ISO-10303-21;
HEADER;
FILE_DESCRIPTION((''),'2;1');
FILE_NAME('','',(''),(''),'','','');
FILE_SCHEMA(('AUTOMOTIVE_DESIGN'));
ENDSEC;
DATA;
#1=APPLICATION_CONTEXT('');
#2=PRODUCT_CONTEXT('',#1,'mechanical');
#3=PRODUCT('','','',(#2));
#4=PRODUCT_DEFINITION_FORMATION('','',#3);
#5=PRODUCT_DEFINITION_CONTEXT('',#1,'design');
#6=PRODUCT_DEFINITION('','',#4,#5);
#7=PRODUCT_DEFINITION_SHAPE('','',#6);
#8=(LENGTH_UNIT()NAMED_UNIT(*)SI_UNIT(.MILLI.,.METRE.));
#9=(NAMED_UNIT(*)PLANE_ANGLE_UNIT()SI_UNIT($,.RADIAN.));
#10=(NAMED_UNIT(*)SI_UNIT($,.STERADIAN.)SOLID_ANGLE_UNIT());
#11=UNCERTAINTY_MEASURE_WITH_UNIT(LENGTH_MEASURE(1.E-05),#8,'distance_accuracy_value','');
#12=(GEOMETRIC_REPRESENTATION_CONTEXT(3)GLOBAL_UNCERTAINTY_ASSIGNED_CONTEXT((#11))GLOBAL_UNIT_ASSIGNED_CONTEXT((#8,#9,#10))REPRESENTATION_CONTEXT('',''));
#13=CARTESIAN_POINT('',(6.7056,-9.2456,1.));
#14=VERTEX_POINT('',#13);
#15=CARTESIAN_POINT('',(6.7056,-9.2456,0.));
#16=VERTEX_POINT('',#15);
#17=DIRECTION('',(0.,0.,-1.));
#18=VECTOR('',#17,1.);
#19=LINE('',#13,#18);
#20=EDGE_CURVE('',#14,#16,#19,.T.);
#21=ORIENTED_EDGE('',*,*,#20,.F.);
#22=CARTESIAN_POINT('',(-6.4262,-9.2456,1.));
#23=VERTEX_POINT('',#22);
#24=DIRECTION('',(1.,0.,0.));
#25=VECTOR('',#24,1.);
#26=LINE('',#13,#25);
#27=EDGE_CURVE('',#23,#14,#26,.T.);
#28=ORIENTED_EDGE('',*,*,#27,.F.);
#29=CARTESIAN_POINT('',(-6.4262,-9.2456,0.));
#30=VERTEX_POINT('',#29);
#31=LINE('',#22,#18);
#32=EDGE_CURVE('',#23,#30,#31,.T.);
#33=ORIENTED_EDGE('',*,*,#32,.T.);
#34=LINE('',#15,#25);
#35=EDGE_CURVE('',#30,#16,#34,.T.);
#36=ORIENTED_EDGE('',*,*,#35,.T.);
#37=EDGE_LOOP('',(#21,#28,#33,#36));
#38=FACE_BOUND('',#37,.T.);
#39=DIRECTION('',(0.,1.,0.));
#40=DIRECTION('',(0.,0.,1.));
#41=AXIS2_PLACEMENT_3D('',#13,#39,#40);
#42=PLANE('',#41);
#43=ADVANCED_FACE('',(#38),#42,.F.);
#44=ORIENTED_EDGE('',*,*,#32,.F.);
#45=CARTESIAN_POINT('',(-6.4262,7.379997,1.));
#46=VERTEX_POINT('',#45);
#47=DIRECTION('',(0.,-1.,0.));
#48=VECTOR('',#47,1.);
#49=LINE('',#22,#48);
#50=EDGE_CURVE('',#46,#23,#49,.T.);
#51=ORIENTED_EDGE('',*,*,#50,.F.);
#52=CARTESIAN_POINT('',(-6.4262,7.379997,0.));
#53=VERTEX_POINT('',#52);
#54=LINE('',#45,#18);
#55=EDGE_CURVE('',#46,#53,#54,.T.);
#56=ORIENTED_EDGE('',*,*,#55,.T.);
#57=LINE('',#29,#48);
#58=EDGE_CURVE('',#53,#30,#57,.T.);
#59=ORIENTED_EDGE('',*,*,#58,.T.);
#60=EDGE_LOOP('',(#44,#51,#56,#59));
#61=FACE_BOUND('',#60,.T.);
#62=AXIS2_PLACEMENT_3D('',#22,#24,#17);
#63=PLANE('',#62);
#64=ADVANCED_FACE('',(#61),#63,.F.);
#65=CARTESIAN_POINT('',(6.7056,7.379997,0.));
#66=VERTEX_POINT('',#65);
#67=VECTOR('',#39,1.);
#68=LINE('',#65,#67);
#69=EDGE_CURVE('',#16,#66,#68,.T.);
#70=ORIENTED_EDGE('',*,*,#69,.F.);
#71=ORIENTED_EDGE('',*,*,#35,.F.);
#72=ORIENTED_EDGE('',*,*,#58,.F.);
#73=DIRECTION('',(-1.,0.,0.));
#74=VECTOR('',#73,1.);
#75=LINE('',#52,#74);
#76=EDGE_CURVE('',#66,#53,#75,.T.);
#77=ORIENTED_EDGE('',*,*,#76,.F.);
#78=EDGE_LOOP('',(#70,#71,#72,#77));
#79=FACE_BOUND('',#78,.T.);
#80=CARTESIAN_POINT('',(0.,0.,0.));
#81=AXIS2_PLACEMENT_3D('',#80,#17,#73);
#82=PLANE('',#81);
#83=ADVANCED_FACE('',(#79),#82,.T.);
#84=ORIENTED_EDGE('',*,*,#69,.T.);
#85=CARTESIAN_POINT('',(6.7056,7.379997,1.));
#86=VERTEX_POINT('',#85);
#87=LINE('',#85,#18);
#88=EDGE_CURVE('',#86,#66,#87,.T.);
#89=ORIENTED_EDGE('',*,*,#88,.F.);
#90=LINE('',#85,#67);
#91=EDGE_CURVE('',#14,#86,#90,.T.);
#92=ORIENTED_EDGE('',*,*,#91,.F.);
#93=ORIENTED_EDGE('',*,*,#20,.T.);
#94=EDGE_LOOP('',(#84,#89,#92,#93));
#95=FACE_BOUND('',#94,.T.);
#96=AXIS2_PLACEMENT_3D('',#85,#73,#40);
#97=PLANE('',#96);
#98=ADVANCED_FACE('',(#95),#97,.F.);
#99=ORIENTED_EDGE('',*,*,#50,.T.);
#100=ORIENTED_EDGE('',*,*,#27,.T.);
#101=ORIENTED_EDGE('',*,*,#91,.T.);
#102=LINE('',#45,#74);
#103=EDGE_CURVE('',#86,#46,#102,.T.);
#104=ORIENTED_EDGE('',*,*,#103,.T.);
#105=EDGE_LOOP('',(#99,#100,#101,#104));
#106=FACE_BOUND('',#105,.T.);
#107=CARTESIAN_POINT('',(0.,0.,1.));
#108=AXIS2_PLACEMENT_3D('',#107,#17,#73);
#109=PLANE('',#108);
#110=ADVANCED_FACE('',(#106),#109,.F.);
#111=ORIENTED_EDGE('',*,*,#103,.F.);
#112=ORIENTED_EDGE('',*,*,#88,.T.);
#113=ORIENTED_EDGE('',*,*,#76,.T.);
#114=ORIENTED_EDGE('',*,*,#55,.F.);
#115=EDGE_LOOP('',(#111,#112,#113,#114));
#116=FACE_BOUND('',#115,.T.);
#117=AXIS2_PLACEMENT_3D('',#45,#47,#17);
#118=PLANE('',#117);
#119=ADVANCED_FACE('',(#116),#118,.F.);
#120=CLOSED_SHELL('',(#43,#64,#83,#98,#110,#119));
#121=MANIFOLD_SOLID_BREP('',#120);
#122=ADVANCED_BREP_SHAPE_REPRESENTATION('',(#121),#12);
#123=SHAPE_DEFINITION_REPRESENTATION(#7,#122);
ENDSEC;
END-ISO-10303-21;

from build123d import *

# Parameters (mm, degrees)
ESQUISSE1_W             = 13.1318
ESQUISSE1_H             = 16.625597
COMPONENT_OUTLINE_DEPTH = 1


with BuildPart() as part:
    # Esquisse1 → Component_Outline (new body)
    with BuildSketch(Plane.XY):
        with Locations((0.1397, -0.9328015)):
            Rectangle(ESQUISSE1_W, ESQUISSE1_H)
    extrude(amount=COMPONENT_OUTLINE_DEPTH)


solid = part.part
